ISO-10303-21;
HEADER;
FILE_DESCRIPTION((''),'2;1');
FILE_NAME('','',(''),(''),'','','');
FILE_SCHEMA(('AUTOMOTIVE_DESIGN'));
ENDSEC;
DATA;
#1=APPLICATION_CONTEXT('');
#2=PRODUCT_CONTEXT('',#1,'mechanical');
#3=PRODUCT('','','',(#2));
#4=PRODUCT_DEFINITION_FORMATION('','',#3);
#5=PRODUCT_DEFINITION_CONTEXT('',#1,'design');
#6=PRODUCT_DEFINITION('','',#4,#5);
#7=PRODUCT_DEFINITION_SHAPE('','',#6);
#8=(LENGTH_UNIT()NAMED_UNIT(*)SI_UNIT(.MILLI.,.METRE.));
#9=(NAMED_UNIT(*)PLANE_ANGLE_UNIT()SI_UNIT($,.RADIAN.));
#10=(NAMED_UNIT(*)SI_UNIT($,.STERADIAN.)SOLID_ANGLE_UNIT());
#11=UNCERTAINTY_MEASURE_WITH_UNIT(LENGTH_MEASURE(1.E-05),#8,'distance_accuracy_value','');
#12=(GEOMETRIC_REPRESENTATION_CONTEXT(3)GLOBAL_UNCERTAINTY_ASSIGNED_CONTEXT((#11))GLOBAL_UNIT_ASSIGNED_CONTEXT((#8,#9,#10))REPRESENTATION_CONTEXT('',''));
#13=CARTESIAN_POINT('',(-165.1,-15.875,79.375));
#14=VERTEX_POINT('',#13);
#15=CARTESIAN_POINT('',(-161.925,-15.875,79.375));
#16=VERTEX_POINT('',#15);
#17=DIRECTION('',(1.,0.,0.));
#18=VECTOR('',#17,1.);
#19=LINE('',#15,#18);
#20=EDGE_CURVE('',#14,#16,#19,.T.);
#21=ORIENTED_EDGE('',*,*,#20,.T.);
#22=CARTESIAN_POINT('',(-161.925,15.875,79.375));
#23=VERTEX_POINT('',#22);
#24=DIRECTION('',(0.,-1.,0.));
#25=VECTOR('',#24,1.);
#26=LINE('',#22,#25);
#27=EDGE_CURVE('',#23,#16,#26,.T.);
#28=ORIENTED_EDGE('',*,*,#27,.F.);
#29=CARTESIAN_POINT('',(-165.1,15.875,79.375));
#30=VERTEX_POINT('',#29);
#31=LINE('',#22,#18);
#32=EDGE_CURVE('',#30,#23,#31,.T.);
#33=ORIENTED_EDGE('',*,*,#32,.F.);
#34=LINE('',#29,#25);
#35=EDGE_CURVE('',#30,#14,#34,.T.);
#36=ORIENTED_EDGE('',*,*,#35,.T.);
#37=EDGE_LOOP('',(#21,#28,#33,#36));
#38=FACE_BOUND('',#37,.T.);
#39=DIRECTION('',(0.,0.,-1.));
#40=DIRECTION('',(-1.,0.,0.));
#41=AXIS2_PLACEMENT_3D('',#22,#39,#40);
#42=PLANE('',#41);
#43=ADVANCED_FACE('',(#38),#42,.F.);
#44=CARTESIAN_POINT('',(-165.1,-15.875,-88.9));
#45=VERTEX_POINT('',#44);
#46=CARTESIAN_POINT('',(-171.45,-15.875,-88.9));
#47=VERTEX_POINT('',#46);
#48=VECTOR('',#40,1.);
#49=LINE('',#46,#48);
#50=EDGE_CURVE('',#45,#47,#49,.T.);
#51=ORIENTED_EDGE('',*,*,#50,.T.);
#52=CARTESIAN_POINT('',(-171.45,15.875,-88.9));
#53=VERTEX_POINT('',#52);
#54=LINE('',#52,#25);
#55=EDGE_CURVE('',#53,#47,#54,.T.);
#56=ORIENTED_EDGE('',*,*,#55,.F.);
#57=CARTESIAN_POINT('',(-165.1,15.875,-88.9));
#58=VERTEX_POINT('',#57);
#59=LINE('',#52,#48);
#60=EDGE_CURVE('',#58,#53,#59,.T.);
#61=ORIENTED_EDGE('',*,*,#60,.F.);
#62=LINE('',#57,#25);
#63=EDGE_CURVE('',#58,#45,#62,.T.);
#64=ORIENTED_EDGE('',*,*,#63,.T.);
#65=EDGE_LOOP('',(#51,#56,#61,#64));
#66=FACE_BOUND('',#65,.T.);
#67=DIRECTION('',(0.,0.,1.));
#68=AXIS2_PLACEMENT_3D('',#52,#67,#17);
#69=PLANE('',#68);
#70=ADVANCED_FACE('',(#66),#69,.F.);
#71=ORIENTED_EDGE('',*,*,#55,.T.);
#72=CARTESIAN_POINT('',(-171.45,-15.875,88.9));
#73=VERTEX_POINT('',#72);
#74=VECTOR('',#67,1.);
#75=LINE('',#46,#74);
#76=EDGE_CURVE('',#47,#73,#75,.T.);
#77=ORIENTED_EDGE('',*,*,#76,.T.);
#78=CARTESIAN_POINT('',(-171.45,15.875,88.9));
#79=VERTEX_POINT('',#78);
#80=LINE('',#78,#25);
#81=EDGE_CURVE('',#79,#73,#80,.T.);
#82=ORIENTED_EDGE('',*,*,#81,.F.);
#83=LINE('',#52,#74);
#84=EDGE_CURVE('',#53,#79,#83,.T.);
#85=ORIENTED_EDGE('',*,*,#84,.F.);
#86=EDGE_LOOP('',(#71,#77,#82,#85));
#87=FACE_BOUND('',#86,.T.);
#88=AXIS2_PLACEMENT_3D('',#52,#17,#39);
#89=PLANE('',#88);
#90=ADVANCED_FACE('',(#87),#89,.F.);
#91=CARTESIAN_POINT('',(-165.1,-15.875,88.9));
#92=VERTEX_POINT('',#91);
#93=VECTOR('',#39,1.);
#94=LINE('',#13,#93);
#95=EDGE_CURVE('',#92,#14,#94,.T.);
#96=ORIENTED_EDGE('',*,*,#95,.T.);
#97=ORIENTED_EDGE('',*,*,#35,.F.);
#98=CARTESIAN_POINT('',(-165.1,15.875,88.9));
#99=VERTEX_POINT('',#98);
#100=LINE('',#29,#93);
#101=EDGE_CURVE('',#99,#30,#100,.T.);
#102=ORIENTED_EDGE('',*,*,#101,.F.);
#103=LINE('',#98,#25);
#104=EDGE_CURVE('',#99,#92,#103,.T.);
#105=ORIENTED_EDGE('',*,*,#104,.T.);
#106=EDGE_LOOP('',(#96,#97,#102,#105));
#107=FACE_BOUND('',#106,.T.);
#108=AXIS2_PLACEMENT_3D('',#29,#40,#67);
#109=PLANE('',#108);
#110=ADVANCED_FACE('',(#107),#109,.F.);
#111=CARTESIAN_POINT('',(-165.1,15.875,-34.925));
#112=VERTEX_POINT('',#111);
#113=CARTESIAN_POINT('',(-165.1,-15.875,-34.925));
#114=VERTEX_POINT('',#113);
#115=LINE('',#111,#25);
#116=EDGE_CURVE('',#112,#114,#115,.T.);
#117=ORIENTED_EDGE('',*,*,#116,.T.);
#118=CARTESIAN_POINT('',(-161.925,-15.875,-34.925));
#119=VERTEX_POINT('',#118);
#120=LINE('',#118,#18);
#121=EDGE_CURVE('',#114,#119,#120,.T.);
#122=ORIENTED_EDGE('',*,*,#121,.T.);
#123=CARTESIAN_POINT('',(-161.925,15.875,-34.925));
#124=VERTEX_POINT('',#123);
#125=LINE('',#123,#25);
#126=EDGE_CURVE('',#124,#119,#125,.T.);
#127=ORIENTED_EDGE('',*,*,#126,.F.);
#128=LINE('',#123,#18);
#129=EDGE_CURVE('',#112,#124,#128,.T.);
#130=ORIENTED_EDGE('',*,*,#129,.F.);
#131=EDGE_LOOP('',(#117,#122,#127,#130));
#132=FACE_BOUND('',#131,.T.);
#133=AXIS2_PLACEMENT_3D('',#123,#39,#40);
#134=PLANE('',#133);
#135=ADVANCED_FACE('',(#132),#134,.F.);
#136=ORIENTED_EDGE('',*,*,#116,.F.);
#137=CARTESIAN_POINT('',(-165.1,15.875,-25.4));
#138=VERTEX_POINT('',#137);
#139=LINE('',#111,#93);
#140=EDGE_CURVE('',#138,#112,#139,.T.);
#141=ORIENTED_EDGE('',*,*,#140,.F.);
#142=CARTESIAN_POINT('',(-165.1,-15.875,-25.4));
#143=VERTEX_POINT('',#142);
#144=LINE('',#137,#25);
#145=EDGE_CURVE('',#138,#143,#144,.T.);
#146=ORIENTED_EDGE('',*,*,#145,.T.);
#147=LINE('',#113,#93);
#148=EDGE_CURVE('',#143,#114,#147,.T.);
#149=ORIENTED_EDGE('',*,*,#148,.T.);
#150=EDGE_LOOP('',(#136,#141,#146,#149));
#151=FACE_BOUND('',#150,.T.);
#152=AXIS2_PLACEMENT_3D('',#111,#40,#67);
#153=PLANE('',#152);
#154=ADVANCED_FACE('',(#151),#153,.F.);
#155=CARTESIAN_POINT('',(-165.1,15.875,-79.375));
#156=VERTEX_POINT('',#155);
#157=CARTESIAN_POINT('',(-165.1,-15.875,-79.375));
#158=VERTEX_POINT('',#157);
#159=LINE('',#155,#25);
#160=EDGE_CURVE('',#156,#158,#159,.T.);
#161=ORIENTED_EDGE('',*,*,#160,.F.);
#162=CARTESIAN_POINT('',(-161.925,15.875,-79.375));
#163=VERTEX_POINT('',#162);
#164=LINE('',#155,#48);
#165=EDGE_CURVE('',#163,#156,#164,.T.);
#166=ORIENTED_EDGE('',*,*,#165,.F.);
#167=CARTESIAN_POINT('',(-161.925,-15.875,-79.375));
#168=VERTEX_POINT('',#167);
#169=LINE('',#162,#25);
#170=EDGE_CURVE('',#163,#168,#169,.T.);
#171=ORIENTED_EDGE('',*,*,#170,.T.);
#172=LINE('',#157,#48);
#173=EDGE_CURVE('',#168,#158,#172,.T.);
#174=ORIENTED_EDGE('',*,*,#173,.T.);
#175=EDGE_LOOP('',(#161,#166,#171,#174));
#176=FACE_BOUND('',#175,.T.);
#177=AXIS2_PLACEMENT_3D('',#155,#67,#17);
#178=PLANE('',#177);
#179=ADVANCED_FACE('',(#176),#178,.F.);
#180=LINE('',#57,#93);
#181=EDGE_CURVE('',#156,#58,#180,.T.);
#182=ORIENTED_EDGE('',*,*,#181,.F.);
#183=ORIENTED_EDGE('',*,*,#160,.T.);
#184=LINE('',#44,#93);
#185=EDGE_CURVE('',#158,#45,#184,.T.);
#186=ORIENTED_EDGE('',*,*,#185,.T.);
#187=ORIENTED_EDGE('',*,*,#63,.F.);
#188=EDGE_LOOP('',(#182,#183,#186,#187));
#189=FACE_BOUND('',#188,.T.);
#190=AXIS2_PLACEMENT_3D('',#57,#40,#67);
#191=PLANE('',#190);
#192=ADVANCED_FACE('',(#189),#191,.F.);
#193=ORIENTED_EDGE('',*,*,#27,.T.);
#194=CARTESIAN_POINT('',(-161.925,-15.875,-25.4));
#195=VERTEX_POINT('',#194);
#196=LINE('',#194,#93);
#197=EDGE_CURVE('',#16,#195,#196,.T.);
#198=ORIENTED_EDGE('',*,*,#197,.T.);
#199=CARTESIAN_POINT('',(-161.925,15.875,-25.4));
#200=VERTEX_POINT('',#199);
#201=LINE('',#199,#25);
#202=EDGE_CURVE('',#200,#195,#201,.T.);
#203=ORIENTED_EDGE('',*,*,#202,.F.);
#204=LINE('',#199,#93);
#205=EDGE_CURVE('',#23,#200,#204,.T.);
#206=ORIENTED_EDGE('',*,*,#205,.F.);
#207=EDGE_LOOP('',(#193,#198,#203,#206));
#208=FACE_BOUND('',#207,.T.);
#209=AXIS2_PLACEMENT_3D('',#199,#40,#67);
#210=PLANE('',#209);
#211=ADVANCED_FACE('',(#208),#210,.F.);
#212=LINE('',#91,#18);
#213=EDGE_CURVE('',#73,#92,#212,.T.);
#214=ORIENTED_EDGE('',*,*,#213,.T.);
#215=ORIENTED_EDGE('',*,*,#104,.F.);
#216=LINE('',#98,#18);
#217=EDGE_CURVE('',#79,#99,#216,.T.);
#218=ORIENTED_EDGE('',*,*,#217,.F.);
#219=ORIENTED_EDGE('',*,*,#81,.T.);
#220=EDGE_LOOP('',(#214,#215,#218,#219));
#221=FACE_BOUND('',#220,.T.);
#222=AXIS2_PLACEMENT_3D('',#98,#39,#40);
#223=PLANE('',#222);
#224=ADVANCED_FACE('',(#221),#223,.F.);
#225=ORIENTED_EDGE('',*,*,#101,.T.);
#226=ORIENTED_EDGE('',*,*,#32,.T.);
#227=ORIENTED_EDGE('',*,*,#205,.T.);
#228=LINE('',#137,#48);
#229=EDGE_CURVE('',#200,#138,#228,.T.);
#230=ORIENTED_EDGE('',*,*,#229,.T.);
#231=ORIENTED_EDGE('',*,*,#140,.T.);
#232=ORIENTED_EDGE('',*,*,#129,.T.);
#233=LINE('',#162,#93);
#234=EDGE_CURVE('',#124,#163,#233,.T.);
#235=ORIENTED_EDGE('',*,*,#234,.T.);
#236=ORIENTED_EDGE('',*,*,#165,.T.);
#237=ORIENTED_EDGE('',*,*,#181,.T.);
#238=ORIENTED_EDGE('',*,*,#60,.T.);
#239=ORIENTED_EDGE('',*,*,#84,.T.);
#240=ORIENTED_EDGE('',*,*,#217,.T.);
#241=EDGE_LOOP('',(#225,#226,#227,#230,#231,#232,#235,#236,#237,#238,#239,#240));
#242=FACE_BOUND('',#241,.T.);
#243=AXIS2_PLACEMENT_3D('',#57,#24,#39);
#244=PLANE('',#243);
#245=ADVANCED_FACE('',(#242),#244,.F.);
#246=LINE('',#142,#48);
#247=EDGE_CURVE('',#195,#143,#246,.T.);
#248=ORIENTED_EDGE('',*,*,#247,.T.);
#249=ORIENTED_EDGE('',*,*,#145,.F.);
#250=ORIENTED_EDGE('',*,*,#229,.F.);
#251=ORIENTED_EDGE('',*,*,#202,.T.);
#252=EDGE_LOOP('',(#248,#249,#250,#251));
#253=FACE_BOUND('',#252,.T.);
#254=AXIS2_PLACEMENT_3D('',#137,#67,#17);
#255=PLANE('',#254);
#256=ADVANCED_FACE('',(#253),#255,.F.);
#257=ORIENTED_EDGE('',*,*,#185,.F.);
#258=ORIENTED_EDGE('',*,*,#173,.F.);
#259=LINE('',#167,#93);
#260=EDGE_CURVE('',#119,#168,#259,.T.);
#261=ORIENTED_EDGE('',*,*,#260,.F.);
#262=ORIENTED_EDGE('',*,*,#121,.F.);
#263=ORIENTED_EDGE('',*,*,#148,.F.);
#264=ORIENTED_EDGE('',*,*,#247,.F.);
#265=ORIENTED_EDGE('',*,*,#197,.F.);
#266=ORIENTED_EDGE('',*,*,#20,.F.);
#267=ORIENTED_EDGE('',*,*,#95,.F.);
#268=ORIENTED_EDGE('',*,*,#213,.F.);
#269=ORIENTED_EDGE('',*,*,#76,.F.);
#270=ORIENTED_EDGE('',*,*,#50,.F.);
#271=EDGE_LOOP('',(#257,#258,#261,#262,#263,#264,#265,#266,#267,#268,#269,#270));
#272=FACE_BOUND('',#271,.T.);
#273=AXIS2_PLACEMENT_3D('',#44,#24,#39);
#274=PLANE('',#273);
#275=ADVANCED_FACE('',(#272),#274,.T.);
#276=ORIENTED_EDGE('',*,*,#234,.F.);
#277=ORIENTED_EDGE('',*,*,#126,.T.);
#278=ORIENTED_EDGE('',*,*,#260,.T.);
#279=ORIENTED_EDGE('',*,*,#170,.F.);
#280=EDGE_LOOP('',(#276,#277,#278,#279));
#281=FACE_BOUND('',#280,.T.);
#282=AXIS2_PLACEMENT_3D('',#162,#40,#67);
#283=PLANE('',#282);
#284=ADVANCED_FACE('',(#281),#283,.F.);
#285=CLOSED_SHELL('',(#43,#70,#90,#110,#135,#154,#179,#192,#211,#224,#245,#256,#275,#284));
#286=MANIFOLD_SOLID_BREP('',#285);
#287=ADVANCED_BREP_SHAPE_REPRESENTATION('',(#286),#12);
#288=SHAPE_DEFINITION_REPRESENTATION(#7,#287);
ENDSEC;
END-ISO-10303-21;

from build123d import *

# Parameters (mm, degrees)
BOSS_EXTRUDE1_DEPTH      = 15.875
BOSS_EXTRUDE1_DEPTH_BACK = 15.875


with BuildPart() as part:
    # Sketch2 → Boss-Extrude1 (new, two sides: drawn at the far end of the back side and taken through both)
    with BuildSketch(Plane(origin=(0, 0, 0), x_dir=(1, 0, 0), z_dir=(0, 1, 0)).offset(-BOSS_EXTRUDE1_DEPTH_BACK)):
        Polygon((-171.45, 88.9), (-171.45, -88.9), (-165.1, -88.9), (-165.1, -79.375), (-161.925, -79.375), (-161.925, 25.4), (-165.1, 25.4), (-165.1, 34.925), (-161.925, 34.925), (-161.925, 79.375), (-165.1, 79.375), (-165.1, 88.9), align=None)
    extrude(amount=BOSS_EXTRUDE1_DEPTH + BOSS_EXTRUDE1_DEPTH_BACK)


solid = part.part
